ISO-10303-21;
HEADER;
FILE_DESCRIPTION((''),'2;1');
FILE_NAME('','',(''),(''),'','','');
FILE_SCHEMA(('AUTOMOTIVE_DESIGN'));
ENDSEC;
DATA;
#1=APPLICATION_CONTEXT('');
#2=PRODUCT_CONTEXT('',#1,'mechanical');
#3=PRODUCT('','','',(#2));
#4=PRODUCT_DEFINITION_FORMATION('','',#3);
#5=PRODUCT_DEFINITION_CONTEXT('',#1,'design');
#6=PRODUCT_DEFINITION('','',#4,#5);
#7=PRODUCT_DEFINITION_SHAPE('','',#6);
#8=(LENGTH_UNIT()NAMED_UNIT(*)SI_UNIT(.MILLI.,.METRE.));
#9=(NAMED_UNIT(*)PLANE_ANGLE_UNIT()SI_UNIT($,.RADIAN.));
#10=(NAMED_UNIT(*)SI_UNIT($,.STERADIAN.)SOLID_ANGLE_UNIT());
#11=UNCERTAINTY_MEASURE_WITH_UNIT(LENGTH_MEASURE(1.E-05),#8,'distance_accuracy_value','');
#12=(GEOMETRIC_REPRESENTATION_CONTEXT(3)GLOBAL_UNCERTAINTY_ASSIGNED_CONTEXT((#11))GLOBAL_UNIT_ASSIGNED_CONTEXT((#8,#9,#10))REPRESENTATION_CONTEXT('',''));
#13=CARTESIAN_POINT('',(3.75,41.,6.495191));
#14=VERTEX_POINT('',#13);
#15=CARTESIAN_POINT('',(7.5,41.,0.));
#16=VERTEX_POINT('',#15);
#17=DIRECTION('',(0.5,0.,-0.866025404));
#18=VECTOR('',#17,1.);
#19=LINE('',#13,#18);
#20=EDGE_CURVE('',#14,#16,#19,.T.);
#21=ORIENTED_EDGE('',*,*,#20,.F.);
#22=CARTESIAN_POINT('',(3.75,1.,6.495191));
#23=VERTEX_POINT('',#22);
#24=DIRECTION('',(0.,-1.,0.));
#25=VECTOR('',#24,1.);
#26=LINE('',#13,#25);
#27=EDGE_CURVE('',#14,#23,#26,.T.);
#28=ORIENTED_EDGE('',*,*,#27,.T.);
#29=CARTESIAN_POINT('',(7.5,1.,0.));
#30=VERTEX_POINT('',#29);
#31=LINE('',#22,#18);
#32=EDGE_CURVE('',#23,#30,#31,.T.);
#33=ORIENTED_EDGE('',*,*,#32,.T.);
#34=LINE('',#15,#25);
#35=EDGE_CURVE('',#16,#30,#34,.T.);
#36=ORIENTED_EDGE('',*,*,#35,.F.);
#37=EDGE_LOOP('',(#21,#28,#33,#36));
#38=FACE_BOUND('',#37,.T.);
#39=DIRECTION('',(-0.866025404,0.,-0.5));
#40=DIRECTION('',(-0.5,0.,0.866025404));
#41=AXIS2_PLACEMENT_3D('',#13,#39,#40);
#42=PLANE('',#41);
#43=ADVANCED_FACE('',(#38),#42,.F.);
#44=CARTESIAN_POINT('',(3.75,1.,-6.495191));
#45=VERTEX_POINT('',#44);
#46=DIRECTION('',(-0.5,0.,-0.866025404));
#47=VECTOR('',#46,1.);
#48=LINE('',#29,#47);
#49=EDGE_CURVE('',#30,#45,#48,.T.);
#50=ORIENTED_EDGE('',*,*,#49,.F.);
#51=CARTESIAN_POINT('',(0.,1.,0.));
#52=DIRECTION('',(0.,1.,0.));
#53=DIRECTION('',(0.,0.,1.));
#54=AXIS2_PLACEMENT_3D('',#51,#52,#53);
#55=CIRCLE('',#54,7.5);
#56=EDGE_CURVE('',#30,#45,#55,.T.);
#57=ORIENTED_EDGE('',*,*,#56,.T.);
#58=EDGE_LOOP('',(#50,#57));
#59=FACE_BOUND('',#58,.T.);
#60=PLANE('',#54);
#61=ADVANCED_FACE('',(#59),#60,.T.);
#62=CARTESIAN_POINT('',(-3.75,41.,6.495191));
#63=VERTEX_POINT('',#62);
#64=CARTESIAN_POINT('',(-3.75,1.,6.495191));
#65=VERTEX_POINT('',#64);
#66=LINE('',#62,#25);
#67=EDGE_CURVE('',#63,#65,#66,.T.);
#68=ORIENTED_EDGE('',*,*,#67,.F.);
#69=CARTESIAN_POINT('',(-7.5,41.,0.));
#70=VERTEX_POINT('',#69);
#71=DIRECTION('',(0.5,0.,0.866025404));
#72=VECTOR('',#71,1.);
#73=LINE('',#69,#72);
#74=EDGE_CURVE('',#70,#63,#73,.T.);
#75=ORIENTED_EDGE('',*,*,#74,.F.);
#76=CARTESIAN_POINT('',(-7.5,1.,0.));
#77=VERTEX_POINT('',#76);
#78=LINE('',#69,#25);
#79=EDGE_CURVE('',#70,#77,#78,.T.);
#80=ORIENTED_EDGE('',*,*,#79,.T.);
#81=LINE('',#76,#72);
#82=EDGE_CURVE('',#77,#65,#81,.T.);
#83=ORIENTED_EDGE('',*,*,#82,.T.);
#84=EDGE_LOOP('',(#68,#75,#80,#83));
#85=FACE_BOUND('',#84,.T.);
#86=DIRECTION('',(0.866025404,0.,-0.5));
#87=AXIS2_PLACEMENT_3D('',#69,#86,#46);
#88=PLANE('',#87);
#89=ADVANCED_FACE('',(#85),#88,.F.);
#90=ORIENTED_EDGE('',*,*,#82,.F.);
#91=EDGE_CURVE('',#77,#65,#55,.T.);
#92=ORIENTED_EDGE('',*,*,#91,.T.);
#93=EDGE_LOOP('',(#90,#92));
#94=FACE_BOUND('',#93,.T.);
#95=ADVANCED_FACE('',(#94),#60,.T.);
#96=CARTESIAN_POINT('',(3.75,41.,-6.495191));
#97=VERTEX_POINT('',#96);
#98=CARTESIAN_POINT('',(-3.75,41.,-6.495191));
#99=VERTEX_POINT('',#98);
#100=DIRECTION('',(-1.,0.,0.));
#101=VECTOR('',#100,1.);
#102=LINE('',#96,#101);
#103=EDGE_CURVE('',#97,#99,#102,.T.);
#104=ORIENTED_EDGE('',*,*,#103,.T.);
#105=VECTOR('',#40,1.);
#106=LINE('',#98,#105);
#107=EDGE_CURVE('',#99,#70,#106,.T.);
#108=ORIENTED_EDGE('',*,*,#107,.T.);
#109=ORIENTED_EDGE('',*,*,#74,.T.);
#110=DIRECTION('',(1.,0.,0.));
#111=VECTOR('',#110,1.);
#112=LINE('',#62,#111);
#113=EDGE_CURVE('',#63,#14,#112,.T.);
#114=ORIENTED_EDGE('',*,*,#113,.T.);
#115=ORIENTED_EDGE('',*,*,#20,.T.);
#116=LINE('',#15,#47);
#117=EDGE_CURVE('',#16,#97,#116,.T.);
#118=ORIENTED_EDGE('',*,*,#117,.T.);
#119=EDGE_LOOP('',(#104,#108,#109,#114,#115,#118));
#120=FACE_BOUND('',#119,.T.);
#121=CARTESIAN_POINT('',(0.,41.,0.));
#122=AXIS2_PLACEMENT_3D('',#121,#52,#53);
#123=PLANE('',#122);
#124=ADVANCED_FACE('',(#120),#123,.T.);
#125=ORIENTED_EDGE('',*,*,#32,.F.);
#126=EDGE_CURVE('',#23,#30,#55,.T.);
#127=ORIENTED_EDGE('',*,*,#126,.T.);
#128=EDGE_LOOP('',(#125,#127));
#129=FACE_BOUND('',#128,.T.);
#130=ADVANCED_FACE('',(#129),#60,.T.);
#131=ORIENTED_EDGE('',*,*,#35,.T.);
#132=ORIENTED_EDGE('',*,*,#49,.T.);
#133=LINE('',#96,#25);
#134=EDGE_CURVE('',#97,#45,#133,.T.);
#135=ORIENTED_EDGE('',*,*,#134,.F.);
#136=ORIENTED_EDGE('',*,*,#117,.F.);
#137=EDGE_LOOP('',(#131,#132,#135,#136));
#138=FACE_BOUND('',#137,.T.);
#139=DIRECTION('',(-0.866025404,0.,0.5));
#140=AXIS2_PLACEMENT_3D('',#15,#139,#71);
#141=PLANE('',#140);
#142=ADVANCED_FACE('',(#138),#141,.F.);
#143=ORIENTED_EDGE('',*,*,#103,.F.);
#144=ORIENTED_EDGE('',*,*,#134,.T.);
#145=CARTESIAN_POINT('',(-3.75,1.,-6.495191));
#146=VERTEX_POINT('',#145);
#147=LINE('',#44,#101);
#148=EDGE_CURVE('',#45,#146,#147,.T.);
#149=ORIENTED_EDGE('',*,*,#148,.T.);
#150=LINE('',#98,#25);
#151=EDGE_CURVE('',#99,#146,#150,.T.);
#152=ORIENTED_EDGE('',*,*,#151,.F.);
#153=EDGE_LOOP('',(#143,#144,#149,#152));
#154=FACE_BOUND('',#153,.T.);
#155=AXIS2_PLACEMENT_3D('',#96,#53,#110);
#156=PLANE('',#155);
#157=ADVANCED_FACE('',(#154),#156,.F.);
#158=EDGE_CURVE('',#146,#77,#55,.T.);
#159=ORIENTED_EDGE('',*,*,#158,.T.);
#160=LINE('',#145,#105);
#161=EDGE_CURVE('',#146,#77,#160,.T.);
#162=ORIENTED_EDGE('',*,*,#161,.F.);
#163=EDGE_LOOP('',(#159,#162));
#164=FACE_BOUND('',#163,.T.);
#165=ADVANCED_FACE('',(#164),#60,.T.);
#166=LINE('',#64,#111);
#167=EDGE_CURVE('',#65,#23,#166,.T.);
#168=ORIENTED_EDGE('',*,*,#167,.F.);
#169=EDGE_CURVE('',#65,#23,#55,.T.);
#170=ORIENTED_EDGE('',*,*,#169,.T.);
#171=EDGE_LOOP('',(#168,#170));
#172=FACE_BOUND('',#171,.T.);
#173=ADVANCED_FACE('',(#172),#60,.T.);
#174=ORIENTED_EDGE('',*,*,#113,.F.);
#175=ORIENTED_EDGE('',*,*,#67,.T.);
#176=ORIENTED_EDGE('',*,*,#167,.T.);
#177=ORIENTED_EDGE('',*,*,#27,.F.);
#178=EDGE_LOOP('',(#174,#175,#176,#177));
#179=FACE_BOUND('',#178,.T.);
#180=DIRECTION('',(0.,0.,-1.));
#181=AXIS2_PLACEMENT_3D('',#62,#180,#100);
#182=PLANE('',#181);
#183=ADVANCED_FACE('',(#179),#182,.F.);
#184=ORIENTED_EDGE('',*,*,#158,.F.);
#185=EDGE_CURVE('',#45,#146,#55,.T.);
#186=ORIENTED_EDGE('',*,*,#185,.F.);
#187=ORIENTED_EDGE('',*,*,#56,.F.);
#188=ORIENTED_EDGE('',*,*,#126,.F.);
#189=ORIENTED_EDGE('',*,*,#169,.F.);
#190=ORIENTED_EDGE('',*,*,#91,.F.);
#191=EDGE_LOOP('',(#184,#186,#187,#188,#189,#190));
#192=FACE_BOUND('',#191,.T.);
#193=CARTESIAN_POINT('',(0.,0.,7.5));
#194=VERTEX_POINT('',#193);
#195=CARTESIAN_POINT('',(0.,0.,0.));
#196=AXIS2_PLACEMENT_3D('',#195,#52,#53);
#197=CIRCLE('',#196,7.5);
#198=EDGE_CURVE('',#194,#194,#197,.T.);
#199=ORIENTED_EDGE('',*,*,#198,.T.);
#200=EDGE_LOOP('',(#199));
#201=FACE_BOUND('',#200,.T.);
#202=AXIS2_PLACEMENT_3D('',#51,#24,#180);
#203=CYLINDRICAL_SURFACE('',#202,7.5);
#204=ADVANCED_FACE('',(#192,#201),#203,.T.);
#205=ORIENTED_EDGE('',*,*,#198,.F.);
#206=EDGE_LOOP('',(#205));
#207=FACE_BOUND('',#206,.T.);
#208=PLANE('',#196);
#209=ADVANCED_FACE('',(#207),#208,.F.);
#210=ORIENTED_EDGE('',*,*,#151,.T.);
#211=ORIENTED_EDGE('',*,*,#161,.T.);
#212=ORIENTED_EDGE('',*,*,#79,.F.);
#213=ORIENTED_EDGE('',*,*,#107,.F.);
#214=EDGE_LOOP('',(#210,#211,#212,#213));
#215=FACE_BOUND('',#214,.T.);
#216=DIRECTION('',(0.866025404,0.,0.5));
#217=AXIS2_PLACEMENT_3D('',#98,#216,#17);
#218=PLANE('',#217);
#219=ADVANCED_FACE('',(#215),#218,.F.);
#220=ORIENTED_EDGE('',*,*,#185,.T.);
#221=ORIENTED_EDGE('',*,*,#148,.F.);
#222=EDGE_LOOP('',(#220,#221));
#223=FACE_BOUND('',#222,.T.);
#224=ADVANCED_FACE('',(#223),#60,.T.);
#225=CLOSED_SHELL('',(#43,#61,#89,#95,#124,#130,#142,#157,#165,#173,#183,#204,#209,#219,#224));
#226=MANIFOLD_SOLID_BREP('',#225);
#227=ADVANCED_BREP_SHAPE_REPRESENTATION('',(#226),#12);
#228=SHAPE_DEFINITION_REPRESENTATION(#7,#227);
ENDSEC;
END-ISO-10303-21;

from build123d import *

# Parameters (mm, degrees)
SKETCH1_R           = 7.5
BOSS_EXTRUDE1_DEPTH = 1
BOSS_EXTRUDE2_DEPTH = 40


with BuildPart() as part:
    # Sketch1 → Boss-Extrude1 (new body)
    with BuildSketch(Plane(origin=(0, 0, 0), x_dir=(1, 0, 0), z_dir=(0, 1, 0))):
        with Locations(Location((0, 0, 0), (0, 0, 270))):
            Circle(SKETCH1_R)
    extrude(amount=BOSS_EXTRUDE1_DEPTH)

    # Sketch2 → Boss-Extrude2 (add)
    with BuildSketch(Plane(origin=(0, 1, 0), x_dir=(1, 0, 0), z_dir=(0, 1, 0))):
        Polygon((7.5, 0), (3.75, 6.495190528), (-3.75, 6.495190528), (-7.5, 0), (-3.75, -6.495190528), (3.75, -6.495190528), align=None)
    extrude(amount=BOSS_EXTRUDE2_DEPTH)


solid = part.part
